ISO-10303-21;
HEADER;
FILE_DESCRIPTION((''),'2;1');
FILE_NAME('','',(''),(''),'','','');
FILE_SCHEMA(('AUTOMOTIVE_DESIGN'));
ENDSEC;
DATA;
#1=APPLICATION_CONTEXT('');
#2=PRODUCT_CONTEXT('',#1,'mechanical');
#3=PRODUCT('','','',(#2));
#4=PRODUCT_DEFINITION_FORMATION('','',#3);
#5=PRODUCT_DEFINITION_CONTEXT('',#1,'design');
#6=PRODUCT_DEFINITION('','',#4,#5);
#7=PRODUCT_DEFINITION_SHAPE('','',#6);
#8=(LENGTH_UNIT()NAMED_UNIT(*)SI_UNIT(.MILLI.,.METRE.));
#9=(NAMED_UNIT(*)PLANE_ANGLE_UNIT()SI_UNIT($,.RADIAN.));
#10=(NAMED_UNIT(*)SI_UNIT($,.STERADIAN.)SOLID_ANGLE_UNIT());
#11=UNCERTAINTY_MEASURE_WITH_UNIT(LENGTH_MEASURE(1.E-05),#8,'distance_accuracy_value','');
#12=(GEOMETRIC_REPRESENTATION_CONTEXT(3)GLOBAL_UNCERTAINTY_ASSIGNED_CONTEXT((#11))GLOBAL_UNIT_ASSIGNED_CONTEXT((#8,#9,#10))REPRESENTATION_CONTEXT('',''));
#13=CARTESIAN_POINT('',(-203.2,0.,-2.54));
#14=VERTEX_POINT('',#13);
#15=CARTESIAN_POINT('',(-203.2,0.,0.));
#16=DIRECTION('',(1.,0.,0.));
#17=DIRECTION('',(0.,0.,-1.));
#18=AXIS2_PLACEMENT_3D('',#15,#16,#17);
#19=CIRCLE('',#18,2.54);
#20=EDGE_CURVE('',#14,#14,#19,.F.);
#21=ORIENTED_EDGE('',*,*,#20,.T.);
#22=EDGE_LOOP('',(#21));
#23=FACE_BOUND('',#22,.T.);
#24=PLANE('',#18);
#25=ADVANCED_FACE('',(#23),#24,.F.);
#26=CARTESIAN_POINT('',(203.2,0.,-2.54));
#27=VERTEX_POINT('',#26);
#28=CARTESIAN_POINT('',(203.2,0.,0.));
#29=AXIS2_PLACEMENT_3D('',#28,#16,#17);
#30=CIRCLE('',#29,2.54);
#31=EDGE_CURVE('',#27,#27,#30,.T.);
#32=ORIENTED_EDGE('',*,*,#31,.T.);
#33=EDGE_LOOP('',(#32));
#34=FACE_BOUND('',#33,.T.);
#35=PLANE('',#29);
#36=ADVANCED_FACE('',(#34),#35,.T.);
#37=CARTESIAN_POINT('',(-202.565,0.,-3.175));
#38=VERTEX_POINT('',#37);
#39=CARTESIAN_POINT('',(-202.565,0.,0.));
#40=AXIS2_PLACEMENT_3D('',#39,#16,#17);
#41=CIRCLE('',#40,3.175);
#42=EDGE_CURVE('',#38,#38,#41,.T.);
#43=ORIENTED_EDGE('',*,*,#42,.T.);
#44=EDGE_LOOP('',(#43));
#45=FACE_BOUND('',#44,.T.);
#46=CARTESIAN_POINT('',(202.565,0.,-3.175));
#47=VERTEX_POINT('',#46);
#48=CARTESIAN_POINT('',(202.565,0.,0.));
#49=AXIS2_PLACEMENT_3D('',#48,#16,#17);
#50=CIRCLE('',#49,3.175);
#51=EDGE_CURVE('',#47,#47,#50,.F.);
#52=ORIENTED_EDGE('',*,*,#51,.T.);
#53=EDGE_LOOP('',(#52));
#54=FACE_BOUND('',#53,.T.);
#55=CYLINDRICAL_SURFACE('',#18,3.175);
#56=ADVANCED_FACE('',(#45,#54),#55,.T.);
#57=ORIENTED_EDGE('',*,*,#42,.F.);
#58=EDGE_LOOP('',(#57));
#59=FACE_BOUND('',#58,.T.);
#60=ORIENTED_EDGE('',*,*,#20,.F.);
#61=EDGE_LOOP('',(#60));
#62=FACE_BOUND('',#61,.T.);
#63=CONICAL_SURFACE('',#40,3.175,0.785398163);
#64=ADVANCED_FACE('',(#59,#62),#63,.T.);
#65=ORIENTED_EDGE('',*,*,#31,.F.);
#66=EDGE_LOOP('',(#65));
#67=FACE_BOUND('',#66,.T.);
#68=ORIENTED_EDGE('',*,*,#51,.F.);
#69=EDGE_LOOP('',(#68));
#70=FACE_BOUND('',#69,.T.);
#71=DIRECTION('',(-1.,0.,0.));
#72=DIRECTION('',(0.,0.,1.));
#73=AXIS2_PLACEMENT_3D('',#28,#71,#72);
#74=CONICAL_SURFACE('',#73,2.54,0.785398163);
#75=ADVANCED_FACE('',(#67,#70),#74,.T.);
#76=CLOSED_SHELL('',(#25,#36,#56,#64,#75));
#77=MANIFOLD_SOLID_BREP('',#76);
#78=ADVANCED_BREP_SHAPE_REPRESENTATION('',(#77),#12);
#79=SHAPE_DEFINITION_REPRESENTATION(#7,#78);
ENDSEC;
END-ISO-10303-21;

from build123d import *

# Parameters (mm, degrees)
EXTRUDE1_DEPTH      = 203.2
EXTRUDE1_DEPTH_BACK = 203.2
SKETCH2_R           = 3.175
CHAMFER1_SIZE       = 0.635


with BuildPart() as part:
    # Sketch2 → Extrude1 (new, two sides: drawn at the far end of the back side and taken through both)
    with BuildSketch(Plane(origin=(0, 0, 0), x_dir=(0, 0, -1), z_dir=(1, 0, 0)).offset(-EXTRUDE1_DEPTH_BACK)):
        Circle(SKETCH2_R)
    extrude(amount=EXTRUDE1_DEPTH + EXTRUDE1_DEPTH_BACK)

    # Chamfer1
    chamfer1_edges = [part.edges().sort_by_distance(p)[0] for p in [
        (-203.2, 0, 3.175),
        (203.2, 0, 3.175),
    ]]
    chamfer(chamfer1_edges, length=CHAMFER1_SIZE)


solid = part.part
